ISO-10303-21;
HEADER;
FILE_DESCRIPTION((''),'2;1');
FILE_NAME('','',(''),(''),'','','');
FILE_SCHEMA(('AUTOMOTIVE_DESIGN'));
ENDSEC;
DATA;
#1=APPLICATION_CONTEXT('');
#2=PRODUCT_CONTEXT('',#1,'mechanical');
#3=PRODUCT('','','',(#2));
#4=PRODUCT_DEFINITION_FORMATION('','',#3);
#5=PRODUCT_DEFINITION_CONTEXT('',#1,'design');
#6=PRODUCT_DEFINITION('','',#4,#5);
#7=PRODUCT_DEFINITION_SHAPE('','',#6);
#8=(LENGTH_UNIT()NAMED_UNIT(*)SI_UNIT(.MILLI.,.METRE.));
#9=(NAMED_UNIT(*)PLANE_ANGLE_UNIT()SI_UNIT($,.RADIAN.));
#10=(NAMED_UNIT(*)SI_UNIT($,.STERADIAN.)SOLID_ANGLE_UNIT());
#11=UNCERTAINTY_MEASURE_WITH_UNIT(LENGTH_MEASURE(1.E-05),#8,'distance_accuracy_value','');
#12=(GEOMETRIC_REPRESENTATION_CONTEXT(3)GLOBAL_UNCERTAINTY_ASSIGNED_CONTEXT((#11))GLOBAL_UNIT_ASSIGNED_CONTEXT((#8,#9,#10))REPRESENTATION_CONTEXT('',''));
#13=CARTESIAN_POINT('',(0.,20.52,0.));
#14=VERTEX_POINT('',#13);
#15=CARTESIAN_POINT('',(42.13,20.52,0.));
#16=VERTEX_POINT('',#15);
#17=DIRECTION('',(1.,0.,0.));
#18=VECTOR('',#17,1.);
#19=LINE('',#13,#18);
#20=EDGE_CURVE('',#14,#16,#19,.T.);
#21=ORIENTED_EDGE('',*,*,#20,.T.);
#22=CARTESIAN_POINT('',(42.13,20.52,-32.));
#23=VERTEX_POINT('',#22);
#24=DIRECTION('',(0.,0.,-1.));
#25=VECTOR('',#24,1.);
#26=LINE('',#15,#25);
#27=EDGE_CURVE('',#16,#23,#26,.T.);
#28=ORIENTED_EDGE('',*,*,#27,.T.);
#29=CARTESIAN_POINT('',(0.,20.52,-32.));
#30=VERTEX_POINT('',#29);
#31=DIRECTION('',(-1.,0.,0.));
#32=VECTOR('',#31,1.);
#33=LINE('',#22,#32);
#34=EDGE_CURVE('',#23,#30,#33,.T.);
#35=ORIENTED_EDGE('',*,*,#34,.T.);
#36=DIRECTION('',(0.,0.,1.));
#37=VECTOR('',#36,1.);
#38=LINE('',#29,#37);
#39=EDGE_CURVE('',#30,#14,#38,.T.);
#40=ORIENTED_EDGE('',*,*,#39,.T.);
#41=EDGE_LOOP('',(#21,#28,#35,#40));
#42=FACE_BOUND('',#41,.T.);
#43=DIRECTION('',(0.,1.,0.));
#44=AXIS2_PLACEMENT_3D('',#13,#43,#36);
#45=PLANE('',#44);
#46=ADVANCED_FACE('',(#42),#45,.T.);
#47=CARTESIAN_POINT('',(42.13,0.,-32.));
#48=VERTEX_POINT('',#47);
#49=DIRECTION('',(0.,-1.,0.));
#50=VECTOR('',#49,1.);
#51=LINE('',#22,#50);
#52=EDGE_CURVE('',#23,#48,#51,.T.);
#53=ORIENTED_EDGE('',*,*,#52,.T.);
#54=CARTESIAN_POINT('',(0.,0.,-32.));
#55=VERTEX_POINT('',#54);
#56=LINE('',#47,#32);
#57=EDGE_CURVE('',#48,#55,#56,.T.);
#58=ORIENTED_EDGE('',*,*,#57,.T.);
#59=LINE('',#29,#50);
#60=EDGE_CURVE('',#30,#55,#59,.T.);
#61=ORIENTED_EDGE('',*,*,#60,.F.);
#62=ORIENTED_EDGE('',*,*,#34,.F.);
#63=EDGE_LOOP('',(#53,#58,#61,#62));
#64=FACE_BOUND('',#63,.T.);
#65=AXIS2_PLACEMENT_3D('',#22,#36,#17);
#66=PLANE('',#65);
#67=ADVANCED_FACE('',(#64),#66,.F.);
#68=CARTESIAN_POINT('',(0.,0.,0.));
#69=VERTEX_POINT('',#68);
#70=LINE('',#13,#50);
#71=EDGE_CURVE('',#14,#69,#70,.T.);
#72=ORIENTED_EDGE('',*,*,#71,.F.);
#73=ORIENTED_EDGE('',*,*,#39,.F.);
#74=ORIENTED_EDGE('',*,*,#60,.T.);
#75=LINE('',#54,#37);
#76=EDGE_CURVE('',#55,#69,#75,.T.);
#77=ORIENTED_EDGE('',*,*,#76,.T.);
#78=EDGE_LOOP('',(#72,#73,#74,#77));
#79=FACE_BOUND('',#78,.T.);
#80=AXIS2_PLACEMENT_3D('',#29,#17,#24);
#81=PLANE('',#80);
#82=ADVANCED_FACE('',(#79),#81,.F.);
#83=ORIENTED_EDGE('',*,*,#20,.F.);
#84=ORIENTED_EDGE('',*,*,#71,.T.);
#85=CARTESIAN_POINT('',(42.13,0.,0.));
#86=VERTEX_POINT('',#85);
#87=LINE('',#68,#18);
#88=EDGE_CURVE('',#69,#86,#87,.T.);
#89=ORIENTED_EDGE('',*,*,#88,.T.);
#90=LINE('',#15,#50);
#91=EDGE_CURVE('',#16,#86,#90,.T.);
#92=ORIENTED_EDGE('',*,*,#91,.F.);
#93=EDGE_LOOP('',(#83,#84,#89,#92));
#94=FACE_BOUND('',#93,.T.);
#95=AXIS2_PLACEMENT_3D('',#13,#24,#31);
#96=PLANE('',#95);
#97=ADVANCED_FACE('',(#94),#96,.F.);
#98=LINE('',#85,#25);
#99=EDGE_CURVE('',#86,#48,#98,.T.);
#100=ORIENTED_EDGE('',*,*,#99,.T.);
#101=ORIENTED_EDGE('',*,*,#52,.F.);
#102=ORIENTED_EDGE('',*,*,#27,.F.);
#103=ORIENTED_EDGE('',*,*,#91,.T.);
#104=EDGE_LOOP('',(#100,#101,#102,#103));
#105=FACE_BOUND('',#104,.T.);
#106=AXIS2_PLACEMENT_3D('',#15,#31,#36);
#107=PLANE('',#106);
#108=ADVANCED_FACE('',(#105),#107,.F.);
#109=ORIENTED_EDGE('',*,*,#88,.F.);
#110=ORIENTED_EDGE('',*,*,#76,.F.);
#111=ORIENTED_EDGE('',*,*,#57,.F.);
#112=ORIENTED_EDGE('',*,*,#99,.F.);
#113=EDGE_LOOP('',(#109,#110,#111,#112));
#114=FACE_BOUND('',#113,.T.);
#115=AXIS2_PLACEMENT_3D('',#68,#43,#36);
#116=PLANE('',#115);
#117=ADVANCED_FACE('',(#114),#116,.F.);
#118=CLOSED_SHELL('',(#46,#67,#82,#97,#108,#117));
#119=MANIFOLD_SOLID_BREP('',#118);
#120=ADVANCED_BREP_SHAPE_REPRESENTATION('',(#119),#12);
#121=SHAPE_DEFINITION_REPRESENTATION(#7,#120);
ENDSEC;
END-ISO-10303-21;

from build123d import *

# Parameters (mm, degrees)
ESQUISSE1_W        = 42.13
ESQUISSE1_H        = 32
BOSS_EXTRU_1_DEPTH = 20.52


with BuildPart() as part:
    # Esquisse1 → Boss.-Extru.1 (new body)
    with BuildSketch(Plane(origin=(0, 0, 0), x_dir=(1, 0, 0), z_dir=(0, 1, 0))):
        with Locations((21.065, 16)):
            Rectangle(ESQUISSE1_W, ESQUISSE1_H)
    extrude(amount=BOSS_EXTRU_1_DEPTH)


solid = part.part
